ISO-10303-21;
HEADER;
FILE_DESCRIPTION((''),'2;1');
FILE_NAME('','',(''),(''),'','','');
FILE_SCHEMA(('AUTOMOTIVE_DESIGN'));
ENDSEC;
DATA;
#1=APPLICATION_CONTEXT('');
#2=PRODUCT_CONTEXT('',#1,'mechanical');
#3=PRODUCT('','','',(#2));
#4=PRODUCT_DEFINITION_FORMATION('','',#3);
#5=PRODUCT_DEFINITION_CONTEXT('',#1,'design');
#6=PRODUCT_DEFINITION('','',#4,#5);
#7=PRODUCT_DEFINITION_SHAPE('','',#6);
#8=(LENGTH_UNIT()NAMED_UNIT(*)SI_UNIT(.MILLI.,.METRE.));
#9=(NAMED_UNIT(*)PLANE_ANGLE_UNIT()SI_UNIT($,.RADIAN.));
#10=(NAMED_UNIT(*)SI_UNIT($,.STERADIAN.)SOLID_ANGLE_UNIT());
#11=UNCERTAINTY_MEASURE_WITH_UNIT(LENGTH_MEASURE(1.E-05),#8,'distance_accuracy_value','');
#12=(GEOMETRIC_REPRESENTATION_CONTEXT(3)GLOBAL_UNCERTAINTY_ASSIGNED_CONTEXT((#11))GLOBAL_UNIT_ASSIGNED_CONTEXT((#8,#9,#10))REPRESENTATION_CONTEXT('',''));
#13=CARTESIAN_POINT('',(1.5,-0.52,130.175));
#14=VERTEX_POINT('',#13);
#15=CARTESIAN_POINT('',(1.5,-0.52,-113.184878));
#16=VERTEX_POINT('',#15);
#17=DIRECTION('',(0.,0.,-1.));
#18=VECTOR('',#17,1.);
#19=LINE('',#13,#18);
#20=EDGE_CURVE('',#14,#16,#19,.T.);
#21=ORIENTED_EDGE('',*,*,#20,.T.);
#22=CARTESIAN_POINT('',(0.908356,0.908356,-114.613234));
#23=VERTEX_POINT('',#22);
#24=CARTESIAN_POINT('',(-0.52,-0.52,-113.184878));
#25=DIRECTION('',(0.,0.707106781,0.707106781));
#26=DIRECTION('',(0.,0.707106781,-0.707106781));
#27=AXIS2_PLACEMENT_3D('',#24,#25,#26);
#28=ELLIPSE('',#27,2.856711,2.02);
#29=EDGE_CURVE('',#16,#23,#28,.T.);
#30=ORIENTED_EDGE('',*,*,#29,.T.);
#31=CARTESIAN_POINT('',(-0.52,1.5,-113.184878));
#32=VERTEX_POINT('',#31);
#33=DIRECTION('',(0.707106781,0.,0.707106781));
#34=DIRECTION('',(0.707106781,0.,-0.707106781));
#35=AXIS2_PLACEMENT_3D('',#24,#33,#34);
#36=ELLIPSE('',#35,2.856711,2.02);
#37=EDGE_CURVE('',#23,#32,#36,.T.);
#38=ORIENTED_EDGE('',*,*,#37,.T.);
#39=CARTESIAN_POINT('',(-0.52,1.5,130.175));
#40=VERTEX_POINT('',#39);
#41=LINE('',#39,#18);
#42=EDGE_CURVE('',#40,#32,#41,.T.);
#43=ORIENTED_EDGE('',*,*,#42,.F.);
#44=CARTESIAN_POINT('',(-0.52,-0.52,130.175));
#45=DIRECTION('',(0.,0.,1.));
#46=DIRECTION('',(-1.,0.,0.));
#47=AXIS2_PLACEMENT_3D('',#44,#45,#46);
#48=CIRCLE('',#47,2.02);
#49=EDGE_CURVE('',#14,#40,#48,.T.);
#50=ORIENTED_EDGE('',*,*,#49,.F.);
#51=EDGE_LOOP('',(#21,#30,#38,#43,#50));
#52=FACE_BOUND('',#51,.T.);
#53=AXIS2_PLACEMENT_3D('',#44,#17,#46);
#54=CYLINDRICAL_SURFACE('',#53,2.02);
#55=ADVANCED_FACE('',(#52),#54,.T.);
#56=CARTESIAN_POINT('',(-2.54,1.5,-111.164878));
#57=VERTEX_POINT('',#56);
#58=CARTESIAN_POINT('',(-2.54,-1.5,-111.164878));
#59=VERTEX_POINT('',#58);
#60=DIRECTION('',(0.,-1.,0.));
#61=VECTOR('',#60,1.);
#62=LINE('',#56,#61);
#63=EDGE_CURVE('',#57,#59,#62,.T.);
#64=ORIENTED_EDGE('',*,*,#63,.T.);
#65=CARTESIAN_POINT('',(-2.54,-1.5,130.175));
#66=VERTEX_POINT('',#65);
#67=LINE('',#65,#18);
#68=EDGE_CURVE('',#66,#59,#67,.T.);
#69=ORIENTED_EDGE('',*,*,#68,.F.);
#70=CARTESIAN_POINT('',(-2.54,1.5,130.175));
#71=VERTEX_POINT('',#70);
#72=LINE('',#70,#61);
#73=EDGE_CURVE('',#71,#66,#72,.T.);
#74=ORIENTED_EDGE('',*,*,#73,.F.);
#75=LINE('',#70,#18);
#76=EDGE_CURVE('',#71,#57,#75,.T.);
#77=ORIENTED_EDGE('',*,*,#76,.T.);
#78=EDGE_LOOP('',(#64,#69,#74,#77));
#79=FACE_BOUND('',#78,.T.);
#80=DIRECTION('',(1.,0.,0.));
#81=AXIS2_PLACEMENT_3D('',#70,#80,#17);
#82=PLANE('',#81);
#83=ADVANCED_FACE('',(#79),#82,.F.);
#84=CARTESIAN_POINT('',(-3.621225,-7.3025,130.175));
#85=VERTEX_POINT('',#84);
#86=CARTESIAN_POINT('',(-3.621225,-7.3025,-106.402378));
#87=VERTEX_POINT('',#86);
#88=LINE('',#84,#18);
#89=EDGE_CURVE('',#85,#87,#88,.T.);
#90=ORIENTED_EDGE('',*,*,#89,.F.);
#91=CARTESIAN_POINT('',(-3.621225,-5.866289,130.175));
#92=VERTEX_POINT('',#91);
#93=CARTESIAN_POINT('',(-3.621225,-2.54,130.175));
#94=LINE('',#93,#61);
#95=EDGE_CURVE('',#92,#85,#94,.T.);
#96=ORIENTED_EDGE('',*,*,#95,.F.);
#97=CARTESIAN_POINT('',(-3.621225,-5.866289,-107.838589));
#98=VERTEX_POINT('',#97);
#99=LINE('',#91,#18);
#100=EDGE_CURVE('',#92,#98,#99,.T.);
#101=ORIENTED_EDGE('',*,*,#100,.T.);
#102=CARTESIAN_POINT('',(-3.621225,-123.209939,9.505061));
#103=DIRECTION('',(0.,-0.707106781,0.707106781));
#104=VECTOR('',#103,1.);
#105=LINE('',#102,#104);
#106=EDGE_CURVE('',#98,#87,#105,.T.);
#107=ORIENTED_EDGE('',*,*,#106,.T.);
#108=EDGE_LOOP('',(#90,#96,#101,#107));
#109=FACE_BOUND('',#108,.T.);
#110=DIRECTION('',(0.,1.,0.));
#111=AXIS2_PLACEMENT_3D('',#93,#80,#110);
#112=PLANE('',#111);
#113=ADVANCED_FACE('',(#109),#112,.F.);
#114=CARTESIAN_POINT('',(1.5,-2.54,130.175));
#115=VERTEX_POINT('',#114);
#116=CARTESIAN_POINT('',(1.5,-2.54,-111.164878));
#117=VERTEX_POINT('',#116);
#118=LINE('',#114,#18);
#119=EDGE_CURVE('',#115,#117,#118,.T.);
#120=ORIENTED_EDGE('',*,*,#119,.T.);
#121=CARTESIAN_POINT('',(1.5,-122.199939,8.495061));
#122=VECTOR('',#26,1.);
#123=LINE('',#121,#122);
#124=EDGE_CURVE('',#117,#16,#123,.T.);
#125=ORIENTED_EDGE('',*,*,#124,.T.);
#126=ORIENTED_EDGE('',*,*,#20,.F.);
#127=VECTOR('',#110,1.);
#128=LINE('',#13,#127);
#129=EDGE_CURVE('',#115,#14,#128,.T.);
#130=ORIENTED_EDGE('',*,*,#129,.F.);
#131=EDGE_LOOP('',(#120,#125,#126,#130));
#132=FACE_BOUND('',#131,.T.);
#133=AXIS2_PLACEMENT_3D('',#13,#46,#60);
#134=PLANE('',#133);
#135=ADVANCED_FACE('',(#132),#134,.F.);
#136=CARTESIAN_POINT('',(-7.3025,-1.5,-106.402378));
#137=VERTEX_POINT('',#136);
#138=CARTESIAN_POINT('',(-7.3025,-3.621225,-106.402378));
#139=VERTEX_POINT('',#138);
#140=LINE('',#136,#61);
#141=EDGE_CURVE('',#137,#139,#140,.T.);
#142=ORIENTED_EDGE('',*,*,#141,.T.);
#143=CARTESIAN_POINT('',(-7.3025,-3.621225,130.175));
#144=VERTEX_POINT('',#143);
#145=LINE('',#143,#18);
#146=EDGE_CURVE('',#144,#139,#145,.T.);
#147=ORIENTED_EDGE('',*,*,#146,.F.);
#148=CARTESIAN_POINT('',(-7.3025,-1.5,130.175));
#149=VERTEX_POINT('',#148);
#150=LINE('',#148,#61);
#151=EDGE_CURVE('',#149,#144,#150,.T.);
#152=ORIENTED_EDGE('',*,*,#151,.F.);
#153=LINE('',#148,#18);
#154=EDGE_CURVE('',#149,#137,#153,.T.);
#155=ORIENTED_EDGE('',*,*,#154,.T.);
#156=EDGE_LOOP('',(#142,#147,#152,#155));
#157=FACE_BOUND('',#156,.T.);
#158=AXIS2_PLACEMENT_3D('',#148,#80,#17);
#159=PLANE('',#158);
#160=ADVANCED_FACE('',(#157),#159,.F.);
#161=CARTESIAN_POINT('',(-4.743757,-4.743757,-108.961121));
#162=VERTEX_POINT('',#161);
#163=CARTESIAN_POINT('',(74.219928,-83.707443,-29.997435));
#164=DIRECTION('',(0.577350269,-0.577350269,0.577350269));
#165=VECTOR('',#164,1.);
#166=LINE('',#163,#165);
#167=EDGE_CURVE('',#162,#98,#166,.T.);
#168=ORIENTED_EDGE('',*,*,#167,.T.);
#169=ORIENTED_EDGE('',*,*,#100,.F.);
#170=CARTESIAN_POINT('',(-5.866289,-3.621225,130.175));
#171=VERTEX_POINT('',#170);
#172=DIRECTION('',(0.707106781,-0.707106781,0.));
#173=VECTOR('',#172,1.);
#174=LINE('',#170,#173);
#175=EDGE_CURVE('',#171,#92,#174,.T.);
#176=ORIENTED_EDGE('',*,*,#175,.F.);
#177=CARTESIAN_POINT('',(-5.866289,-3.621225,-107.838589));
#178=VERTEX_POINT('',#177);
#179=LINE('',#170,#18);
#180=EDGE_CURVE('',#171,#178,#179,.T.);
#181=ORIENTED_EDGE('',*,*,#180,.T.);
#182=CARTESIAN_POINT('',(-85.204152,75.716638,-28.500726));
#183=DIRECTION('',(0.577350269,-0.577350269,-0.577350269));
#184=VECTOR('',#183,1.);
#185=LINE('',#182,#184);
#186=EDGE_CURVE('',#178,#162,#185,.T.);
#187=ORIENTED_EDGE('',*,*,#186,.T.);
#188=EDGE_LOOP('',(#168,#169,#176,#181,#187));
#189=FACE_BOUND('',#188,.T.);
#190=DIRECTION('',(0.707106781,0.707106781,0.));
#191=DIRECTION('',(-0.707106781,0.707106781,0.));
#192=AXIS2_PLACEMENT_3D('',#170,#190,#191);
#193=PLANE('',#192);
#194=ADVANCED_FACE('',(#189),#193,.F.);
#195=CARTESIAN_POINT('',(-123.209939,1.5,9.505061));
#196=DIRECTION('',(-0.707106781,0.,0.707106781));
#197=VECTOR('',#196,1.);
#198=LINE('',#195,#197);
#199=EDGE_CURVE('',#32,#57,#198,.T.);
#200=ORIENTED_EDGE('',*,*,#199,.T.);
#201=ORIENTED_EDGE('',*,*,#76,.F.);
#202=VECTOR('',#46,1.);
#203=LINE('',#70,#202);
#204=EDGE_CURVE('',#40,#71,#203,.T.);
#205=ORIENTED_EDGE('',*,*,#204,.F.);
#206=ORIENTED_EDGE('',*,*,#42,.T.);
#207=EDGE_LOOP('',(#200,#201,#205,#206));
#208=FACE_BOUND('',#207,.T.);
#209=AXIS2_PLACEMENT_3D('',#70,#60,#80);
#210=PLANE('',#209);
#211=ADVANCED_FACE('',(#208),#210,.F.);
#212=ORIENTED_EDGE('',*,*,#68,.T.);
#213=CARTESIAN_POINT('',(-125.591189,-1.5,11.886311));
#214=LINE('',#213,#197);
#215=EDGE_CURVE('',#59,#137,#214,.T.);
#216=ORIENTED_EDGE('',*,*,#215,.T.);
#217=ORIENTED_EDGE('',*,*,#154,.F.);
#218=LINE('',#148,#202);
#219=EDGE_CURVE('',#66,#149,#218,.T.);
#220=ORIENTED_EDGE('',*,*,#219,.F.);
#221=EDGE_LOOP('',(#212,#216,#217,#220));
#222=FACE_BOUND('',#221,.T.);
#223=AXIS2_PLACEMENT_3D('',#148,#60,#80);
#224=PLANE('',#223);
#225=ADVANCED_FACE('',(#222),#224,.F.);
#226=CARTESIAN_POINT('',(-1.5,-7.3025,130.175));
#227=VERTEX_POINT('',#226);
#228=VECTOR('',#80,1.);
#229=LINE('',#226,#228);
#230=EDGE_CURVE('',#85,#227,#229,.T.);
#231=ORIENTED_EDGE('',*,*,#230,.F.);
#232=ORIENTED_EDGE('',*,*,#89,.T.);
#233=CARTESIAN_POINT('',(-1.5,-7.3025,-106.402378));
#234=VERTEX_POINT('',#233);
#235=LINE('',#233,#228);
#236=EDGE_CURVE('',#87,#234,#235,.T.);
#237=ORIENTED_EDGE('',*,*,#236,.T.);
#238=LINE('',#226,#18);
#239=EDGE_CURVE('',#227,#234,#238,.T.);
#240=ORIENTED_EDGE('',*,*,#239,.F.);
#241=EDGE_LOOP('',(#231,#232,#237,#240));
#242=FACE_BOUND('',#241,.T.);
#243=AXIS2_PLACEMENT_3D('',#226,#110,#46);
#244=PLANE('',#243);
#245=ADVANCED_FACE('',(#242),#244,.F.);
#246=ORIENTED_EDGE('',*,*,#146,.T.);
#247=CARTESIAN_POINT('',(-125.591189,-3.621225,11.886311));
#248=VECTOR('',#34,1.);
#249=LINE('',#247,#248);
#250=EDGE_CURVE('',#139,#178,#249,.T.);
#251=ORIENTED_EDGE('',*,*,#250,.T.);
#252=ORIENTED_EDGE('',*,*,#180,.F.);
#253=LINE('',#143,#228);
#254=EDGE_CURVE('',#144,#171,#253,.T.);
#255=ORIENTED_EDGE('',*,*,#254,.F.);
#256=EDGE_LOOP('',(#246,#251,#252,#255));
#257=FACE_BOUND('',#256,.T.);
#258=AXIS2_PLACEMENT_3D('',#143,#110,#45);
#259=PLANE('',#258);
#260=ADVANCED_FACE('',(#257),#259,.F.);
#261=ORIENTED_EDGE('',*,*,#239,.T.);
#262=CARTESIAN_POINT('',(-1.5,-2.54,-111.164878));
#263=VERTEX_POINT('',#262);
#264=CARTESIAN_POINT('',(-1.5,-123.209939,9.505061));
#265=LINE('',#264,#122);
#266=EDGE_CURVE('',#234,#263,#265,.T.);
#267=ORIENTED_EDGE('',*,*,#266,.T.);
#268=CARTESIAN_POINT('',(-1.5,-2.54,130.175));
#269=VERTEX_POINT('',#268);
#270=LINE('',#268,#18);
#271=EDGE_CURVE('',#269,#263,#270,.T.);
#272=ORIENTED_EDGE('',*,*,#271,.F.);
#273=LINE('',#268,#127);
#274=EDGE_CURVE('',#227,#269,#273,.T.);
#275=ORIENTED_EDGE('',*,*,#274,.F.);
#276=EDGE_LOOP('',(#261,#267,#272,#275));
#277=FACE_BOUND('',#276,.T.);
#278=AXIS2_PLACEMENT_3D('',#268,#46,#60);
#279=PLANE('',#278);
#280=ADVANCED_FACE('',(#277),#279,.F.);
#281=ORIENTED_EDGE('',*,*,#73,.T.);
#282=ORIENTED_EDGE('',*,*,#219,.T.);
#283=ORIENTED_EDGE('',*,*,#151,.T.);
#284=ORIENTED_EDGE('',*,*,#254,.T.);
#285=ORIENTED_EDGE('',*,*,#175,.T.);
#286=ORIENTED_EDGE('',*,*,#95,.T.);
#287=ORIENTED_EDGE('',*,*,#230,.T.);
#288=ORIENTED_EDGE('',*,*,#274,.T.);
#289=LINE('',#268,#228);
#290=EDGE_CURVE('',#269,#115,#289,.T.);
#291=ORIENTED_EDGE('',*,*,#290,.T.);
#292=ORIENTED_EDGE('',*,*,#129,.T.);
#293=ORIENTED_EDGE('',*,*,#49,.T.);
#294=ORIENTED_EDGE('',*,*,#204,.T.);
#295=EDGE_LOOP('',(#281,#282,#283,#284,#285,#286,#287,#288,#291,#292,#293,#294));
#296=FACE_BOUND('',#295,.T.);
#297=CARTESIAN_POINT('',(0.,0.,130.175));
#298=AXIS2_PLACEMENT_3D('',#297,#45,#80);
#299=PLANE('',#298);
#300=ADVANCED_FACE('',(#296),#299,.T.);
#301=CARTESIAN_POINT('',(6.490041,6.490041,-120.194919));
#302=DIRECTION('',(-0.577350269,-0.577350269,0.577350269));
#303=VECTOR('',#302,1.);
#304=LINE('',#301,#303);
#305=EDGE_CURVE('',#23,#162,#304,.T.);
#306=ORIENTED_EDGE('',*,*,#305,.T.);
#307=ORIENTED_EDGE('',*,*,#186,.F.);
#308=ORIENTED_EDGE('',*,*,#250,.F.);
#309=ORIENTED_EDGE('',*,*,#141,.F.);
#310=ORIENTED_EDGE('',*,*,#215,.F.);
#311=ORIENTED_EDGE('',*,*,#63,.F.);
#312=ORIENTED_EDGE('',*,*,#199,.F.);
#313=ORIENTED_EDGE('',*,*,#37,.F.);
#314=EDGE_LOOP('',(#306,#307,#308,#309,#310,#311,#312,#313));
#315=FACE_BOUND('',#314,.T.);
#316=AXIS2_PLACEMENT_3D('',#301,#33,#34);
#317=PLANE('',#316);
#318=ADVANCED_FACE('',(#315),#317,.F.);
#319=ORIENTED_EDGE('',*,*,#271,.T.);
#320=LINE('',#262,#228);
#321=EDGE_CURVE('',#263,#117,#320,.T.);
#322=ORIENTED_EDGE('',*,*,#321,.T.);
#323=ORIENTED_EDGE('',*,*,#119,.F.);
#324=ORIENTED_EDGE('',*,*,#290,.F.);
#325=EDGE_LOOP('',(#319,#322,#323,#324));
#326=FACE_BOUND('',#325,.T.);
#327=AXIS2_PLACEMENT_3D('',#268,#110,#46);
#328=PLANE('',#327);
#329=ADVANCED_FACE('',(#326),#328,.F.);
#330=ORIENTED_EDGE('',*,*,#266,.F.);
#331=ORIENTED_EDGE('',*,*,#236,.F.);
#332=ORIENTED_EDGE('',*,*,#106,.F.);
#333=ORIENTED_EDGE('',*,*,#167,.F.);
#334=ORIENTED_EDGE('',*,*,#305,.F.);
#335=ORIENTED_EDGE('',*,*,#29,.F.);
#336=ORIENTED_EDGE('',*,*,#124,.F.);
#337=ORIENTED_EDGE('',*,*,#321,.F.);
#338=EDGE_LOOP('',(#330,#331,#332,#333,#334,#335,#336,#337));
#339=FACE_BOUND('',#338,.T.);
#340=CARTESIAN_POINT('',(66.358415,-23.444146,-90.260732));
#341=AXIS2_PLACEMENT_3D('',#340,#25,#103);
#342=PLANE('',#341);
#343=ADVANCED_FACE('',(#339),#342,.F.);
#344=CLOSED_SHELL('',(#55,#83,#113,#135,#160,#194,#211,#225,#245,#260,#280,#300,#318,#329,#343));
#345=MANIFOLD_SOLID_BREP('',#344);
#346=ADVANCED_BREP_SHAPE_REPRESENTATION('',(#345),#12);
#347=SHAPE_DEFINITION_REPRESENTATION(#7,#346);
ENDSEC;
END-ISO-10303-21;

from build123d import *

# Parameters (mm, degrees)
SKETCH7_W               = 4.7625
SKETCH7_H               = 2.12122512
BOSS_EXTRUDE2_DEPTH     = 130.175
SKETCH8_W               = 2.12122512
SKETCH8_H               = 4.7625
BOSS_EXTRUDE3_DEPTH     = 130.175
BOSS_EXTRUDE4_DEPTH     = 130.175
CUT_EXTRUDE6_DEPTH      = 245.098438966
CUT_EXTRUDE6_DEPTH_BACK = 245.098438966


with BuildPart() as part:
    # Sketch7 → Boss-Extrude2 (new, symmetric)
    with BuildSketch(Plane.XY):
        with Locations((-4.92125, -2.560612608)):
            Rectangle(SKETCH7_W, SKETCH7_H)
    extrude(amount=BOSS_EXTRUDE2_DEPTH, both=True)

    # Sketch8 → Boss-Extrude3 (add, symmetric)
    with BuildSketch(Plane.XY):
        with Locations((-2.560612608, -4.92125)):
            Rectangle(SKETCH8_W, SKETCH8_H)
    extrude(amount=BOSS_EXTRUDE3_DEPTH, both=True)

    # Sketch11 → Boss-Extrude4 (add, symmetric)
    with BuildSketch(Plane.XY):
        with BuildLine():
            Line((-2.54, 1.500000048), (-2.54, -1.500000048))
            Line((-2.54, -1.500000048), (-7.3025, -1.500000048))
            Line((-7.3025, -1.500000048), (-7.3025, -3.621225168))
            Line((-7.3025, -3.621225168), (-5.866289198, -3.621225168))
            Line((-5.866289198, -3.621225168), (-3.621225168, -5.866289198))
            Line((-3.621225168, -5.866289198), (-3.621225168, -7.3025))
            Line((-3.621225168, -7.3025), (-1.500000048, -7.3025))
            Line((-1.500000048, -7.3025), (-1.500000048, -2.54))
            Line((-1.500000048, -2.54), (1.500000048, -2.54))
            Line((1.500000048, -2.54), (1.500000048, -0.519999976))
            ThreePointArc((1.500000048, -0.519999976), (0.908355739, 0.908355739), (-0.519999976, 1.500000048))
            Line((-0.519999976, 1.500000048), (-2.54, 1.500000048))
        make_face()
    extrude(amount=BOSS_EXTRUDE4_DEPTH, both=True)

    # Sketch18 → Cut-Extrude6 (cut, two sides: drawn at the far end of the back side and taken through both)
    with BuildSketch(Plane(origin=(0, 0, -113.704878), x_dir=(-0.707106781186546, 0, -0.707106781186549), z_dir=(-0.5773502691896265, -0.5773502691896261, 0.5773502691896247)).offset(-CUT_EXTRUDE6_DEPTH_BACK)):
        Polygon((0, 0), (0, -73.323484187), (63.5, 36.661742094), (-63.5, 36.661742094), align=None)
    extrude(amount=CUT_EXTRUDE6_DEPTH + CUT_EXTRUDE6_DEPTH_BACK, mode=Mode.SUBTRACT)


solid = part.part
